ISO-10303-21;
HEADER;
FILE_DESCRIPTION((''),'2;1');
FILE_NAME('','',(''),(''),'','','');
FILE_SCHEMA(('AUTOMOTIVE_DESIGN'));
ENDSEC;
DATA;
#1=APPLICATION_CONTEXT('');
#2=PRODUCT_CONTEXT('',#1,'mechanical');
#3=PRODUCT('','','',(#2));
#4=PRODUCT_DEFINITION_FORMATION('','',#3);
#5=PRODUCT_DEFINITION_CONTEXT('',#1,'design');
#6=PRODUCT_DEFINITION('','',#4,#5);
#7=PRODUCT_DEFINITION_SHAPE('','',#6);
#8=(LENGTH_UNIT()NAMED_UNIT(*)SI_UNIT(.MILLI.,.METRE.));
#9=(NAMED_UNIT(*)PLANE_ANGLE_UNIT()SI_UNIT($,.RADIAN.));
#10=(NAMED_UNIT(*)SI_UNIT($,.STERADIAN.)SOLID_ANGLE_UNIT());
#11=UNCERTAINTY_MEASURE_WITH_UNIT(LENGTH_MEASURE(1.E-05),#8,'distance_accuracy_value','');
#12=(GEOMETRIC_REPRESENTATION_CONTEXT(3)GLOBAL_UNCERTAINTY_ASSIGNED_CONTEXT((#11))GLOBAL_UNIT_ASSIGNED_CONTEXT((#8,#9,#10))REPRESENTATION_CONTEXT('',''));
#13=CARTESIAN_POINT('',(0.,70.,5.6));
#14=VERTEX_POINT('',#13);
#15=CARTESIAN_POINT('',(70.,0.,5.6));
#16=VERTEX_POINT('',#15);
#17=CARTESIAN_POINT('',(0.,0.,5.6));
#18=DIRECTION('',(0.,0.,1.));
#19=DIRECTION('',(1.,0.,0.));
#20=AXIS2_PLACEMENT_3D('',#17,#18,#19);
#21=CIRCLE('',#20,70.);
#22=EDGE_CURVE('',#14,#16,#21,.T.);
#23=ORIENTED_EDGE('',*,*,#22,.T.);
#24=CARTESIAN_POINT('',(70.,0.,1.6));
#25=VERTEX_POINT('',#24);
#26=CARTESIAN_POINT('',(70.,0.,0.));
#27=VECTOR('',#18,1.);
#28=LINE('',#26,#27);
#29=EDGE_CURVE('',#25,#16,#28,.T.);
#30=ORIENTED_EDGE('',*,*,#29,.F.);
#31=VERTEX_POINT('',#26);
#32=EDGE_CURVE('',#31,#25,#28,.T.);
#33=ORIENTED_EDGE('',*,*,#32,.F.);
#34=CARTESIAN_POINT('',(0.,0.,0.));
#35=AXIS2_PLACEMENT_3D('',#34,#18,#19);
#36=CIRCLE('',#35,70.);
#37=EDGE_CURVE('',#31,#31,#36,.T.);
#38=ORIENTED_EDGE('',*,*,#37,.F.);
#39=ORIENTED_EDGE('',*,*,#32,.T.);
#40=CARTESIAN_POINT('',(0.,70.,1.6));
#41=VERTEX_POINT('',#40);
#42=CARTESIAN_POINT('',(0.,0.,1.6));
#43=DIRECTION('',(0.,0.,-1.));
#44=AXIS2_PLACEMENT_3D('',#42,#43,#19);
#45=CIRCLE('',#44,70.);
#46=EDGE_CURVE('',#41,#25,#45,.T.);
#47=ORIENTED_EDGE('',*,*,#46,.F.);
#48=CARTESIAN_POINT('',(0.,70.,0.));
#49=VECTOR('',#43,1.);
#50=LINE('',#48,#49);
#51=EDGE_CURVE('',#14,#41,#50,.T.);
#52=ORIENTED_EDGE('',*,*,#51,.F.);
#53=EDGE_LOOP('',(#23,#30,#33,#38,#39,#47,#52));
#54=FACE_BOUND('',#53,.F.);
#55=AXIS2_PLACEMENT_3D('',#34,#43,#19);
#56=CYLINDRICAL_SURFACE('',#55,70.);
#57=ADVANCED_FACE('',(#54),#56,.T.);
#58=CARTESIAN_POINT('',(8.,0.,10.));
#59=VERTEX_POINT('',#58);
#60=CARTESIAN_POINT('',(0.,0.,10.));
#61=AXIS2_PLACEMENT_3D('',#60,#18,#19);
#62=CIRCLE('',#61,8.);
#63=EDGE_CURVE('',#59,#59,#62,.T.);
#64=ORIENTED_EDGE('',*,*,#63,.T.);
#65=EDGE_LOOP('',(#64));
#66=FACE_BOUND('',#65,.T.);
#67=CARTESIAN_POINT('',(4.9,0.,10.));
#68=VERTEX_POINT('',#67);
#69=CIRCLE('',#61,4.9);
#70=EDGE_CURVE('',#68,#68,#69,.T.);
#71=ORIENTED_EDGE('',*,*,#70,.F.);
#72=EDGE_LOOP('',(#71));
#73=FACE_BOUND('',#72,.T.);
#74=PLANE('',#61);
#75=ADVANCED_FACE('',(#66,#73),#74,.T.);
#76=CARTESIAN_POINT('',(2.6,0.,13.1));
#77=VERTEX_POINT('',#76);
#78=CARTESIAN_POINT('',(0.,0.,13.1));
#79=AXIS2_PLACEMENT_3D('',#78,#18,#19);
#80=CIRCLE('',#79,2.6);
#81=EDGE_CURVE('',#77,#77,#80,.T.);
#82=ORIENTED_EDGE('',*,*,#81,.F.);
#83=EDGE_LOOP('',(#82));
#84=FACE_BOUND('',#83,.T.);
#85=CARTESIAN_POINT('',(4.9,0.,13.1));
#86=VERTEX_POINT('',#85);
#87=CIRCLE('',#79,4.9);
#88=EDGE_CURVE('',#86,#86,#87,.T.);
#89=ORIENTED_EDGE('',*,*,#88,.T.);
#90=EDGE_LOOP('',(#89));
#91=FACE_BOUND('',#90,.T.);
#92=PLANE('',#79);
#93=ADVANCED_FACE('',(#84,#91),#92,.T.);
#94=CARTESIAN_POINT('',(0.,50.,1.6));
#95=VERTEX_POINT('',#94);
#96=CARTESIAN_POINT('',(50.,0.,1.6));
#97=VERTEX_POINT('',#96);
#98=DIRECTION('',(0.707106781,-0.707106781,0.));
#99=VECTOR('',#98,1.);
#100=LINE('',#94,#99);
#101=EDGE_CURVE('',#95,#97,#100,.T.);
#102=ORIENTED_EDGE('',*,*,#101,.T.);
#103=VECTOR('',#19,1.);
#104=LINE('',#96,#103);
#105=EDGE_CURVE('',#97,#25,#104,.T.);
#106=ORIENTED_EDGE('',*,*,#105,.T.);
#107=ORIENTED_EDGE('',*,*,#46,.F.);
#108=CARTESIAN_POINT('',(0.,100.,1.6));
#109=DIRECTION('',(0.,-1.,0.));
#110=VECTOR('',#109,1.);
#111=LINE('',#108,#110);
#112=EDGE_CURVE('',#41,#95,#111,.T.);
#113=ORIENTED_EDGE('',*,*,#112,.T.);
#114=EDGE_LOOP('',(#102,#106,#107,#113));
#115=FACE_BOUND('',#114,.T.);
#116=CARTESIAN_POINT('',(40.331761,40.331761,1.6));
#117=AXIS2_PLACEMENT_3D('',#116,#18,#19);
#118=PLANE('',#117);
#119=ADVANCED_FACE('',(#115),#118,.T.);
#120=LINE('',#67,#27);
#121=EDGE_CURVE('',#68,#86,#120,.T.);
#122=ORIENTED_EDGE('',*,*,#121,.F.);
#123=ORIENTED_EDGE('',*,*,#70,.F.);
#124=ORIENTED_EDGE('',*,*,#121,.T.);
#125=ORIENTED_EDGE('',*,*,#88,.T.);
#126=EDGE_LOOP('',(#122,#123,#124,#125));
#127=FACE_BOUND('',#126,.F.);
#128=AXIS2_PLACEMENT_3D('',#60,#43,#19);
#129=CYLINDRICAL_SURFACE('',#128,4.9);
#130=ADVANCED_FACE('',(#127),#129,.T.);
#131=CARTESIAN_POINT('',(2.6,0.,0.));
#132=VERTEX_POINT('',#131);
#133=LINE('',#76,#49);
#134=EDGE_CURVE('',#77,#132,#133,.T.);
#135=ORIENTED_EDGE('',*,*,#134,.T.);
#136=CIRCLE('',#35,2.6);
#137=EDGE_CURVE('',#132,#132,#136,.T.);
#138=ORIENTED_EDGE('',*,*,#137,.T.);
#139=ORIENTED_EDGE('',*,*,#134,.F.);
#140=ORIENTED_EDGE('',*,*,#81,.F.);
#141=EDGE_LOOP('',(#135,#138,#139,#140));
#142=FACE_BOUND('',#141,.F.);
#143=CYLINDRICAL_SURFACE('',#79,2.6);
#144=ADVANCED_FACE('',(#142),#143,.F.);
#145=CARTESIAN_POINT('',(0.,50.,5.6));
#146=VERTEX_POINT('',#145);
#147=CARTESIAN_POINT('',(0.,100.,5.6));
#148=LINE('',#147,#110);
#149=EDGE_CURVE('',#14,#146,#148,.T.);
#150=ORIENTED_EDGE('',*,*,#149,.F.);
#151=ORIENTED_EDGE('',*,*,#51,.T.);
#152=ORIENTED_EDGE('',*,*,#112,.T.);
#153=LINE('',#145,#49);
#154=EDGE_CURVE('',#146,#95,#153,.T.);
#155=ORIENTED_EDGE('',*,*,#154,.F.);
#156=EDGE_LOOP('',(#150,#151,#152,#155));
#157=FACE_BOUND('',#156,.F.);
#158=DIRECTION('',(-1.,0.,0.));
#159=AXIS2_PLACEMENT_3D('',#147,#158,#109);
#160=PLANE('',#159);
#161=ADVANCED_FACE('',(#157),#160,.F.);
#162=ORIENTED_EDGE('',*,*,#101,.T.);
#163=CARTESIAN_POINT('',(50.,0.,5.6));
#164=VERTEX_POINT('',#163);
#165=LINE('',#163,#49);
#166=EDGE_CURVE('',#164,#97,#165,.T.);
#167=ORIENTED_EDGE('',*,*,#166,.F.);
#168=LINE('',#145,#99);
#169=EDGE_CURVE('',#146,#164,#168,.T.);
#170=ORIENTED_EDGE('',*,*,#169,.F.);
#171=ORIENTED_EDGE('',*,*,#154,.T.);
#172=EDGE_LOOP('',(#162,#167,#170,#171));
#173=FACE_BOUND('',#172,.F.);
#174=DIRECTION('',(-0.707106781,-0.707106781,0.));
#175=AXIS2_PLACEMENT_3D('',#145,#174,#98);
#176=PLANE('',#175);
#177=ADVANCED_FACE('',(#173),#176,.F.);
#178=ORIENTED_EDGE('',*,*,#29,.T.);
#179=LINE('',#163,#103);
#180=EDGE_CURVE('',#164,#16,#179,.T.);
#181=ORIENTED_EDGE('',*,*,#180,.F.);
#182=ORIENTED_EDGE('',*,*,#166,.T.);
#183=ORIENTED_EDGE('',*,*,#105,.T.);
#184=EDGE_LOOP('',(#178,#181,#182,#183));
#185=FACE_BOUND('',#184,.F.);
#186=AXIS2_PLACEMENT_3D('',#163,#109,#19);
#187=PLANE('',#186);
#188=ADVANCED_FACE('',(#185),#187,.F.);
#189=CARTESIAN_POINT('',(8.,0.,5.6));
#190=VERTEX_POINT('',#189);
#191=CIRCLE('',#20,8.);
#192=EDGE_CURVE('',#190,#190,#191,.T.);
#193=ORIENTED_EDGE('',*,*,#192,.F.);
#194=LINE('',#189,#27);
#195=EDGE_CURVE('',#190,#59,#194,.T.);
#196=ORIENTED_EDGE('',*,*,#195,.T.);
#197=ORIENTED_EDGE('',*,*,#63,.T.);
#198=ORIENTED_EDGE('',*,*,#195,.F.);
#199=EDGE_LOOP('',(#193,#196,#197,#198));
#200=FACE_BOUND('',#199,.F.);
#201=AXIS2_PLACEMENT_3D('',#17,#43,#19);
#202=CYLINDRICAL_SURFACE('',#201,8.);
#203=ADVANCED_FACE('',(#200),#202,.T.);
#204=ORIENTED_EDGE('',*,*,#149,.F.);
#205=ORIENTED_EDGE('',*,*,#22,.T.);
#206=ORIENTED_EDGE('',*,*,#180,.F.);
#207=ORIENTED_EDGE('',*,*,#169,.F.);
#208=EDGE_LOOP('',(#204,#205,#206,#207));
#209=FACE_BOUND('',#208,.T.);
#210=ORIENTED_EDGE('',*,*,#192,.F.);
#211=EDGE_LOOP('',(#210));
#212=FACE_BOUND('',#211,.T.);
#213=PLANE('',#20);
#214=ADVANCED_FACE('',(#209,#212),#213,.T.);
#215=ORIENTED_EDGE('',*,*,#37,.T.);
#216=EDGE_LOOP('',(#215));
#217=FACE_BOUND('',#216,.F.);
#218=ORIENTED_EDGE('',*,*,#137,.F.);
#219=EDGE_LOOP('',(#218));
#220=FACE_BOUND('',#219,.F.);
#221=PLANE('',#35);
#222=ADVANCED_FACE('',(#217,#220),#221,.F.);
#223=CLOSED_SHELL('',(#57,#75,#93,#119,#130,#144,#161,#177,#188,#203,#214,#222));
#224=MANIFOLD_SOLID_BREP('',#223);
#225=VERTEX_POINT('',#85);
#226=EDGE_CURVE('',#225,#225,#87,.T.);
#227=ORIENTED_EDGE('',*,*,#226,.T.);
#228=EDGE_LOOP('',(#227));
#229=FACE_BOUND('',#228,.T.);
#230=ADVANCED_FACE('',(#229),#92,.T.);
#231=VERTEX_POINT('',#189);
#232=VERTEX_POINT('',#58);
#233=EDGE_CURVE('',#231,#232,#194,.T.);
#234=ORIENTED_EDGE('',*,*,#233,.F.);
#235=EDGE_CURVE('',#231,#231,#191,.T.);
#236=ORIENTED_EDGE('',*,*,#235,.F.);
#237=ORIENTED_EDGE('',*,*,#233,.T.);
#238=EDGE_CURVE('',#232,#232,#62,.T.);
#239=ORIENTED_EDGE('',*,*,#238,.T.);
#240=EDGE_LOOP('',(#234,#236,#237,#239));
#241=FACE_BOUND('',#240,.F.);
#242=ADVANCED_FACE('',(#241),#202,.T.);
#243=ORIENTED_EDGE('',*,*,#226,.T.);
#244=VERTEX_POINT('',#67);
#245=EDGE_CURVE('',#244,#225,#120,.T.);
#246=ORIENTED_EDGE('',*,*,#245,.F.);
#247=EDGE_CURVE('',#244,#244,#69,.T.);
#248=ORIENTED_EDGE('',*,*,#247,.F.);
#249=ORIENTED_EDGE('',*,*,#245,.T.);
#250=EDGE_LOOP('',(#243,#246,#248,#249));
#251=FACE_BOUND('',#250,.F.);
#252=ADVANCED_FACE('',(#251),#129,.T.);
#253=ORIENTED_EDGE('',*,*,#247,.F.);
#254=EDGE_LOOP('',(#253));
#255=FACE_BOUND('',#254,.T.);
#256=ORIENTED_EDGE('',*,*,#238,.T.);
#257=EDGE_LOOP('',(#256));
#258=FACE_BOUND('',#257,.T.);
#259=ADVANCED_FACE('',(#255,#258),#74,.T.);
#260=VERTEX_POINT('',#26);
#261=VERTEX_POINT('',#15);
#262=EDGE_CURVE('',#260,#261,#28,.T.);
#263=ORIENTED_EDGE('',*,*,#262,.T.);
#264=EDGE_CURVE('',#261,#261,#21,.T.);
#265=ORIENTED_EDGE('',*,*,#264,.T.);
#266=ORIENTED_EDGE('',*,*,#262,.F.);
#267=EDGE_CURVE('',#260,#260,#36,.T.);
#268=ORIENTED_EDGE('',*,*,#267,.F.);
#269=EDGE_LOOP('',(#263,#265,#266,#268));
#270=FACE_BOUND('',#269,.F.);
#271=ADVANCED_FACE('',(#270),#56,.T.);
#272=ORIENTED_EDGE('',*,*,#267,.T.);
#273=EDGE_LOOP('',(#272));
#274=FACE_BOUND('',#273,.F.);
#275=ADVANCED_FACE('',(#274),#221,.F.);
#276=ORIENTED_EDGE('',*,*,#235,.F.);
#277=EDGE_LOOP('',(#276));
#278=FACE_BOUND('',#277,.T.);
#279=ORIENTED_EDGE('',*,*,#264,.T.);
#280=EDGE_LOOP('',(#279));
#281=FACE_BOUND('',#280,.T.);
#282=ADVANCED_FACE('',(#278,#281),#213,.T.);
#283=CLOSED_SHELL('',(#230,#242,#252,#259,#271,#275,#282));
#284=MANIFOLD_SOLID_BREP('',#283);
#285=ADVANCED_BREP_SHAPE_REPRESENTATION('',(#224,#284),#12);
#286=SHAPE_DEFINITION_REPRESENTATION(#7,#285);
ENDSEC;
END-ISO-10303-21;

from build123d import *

# Parameters (mm, degrees)
SKETCH_R        = 70
PAD_DEPTH       = 5.6
SKETCH001_R     = 8
PAD001_DEPTH    = 4.4
SKETCH002_R     = 4.9
PAD002_DEPTH    = 3.1
POCKET_DEPTH    = 4
SKETCH005_R     = 4.9
PAD003_DEPTH    = 3.1
SKETCH006_R     = 2.6
POCKET001_DEPTH = 13.101


with BuildPart() as pad001:
    # Sketch → Pad (new body)
    with BuildSketch(Plane.XY):
        Circle(SKETCH_R)
    extrude(amount=PAD_DEPTH)

    # Sketch001 → Pad001 (new body)
    with BuildSketch(Plane.XY.offset(5.6)):
        Circle(SKETCH001_R)
    extrude(amount=PAD001_DEPTH)


with BuildPart() as pad002:
    # Pad002 base: copy of Pad001
    add(pad001.part)

    # Sketch002 → Pad002 (new body)
    with BuildSketch(Plane.XY.offset(10)):
        Circle(SKETCH002_R)
    extrude(amount=PAD002_DEPTH)


with BuildPart() as pocket001:
    # Pocket base: copy of Pad001
    add(pad001.part)

    # Sketch004 → Pocket (cut)
    with BuildSketch(Plane.XY.offset(5.6)):
        Polygon((0, 100), (0, 50), (50, 0), (100, 0), align=None)
    extrude(amount=-POCKET_DEPTH, mode=Mode.SUBTRACT)

    # Sketch005 → Pad003 (new body)
    with BuildSketch(Plane.XY.offset(10)):
        Circle(SKETCH005_R)
    extrude(amount=PAD003_DEPTH)

    # Sketch006 → Pocket001 (cut, through all)
    with BuildSketch(Plane.XY.offset(13.1)):
        Circle(SKETCH006_R)
    extrude(amount=-POCKET001_DEPTH, mode=Mode.SUBTRACT)


solid = Compound([pad002.part, pocket001.part])
